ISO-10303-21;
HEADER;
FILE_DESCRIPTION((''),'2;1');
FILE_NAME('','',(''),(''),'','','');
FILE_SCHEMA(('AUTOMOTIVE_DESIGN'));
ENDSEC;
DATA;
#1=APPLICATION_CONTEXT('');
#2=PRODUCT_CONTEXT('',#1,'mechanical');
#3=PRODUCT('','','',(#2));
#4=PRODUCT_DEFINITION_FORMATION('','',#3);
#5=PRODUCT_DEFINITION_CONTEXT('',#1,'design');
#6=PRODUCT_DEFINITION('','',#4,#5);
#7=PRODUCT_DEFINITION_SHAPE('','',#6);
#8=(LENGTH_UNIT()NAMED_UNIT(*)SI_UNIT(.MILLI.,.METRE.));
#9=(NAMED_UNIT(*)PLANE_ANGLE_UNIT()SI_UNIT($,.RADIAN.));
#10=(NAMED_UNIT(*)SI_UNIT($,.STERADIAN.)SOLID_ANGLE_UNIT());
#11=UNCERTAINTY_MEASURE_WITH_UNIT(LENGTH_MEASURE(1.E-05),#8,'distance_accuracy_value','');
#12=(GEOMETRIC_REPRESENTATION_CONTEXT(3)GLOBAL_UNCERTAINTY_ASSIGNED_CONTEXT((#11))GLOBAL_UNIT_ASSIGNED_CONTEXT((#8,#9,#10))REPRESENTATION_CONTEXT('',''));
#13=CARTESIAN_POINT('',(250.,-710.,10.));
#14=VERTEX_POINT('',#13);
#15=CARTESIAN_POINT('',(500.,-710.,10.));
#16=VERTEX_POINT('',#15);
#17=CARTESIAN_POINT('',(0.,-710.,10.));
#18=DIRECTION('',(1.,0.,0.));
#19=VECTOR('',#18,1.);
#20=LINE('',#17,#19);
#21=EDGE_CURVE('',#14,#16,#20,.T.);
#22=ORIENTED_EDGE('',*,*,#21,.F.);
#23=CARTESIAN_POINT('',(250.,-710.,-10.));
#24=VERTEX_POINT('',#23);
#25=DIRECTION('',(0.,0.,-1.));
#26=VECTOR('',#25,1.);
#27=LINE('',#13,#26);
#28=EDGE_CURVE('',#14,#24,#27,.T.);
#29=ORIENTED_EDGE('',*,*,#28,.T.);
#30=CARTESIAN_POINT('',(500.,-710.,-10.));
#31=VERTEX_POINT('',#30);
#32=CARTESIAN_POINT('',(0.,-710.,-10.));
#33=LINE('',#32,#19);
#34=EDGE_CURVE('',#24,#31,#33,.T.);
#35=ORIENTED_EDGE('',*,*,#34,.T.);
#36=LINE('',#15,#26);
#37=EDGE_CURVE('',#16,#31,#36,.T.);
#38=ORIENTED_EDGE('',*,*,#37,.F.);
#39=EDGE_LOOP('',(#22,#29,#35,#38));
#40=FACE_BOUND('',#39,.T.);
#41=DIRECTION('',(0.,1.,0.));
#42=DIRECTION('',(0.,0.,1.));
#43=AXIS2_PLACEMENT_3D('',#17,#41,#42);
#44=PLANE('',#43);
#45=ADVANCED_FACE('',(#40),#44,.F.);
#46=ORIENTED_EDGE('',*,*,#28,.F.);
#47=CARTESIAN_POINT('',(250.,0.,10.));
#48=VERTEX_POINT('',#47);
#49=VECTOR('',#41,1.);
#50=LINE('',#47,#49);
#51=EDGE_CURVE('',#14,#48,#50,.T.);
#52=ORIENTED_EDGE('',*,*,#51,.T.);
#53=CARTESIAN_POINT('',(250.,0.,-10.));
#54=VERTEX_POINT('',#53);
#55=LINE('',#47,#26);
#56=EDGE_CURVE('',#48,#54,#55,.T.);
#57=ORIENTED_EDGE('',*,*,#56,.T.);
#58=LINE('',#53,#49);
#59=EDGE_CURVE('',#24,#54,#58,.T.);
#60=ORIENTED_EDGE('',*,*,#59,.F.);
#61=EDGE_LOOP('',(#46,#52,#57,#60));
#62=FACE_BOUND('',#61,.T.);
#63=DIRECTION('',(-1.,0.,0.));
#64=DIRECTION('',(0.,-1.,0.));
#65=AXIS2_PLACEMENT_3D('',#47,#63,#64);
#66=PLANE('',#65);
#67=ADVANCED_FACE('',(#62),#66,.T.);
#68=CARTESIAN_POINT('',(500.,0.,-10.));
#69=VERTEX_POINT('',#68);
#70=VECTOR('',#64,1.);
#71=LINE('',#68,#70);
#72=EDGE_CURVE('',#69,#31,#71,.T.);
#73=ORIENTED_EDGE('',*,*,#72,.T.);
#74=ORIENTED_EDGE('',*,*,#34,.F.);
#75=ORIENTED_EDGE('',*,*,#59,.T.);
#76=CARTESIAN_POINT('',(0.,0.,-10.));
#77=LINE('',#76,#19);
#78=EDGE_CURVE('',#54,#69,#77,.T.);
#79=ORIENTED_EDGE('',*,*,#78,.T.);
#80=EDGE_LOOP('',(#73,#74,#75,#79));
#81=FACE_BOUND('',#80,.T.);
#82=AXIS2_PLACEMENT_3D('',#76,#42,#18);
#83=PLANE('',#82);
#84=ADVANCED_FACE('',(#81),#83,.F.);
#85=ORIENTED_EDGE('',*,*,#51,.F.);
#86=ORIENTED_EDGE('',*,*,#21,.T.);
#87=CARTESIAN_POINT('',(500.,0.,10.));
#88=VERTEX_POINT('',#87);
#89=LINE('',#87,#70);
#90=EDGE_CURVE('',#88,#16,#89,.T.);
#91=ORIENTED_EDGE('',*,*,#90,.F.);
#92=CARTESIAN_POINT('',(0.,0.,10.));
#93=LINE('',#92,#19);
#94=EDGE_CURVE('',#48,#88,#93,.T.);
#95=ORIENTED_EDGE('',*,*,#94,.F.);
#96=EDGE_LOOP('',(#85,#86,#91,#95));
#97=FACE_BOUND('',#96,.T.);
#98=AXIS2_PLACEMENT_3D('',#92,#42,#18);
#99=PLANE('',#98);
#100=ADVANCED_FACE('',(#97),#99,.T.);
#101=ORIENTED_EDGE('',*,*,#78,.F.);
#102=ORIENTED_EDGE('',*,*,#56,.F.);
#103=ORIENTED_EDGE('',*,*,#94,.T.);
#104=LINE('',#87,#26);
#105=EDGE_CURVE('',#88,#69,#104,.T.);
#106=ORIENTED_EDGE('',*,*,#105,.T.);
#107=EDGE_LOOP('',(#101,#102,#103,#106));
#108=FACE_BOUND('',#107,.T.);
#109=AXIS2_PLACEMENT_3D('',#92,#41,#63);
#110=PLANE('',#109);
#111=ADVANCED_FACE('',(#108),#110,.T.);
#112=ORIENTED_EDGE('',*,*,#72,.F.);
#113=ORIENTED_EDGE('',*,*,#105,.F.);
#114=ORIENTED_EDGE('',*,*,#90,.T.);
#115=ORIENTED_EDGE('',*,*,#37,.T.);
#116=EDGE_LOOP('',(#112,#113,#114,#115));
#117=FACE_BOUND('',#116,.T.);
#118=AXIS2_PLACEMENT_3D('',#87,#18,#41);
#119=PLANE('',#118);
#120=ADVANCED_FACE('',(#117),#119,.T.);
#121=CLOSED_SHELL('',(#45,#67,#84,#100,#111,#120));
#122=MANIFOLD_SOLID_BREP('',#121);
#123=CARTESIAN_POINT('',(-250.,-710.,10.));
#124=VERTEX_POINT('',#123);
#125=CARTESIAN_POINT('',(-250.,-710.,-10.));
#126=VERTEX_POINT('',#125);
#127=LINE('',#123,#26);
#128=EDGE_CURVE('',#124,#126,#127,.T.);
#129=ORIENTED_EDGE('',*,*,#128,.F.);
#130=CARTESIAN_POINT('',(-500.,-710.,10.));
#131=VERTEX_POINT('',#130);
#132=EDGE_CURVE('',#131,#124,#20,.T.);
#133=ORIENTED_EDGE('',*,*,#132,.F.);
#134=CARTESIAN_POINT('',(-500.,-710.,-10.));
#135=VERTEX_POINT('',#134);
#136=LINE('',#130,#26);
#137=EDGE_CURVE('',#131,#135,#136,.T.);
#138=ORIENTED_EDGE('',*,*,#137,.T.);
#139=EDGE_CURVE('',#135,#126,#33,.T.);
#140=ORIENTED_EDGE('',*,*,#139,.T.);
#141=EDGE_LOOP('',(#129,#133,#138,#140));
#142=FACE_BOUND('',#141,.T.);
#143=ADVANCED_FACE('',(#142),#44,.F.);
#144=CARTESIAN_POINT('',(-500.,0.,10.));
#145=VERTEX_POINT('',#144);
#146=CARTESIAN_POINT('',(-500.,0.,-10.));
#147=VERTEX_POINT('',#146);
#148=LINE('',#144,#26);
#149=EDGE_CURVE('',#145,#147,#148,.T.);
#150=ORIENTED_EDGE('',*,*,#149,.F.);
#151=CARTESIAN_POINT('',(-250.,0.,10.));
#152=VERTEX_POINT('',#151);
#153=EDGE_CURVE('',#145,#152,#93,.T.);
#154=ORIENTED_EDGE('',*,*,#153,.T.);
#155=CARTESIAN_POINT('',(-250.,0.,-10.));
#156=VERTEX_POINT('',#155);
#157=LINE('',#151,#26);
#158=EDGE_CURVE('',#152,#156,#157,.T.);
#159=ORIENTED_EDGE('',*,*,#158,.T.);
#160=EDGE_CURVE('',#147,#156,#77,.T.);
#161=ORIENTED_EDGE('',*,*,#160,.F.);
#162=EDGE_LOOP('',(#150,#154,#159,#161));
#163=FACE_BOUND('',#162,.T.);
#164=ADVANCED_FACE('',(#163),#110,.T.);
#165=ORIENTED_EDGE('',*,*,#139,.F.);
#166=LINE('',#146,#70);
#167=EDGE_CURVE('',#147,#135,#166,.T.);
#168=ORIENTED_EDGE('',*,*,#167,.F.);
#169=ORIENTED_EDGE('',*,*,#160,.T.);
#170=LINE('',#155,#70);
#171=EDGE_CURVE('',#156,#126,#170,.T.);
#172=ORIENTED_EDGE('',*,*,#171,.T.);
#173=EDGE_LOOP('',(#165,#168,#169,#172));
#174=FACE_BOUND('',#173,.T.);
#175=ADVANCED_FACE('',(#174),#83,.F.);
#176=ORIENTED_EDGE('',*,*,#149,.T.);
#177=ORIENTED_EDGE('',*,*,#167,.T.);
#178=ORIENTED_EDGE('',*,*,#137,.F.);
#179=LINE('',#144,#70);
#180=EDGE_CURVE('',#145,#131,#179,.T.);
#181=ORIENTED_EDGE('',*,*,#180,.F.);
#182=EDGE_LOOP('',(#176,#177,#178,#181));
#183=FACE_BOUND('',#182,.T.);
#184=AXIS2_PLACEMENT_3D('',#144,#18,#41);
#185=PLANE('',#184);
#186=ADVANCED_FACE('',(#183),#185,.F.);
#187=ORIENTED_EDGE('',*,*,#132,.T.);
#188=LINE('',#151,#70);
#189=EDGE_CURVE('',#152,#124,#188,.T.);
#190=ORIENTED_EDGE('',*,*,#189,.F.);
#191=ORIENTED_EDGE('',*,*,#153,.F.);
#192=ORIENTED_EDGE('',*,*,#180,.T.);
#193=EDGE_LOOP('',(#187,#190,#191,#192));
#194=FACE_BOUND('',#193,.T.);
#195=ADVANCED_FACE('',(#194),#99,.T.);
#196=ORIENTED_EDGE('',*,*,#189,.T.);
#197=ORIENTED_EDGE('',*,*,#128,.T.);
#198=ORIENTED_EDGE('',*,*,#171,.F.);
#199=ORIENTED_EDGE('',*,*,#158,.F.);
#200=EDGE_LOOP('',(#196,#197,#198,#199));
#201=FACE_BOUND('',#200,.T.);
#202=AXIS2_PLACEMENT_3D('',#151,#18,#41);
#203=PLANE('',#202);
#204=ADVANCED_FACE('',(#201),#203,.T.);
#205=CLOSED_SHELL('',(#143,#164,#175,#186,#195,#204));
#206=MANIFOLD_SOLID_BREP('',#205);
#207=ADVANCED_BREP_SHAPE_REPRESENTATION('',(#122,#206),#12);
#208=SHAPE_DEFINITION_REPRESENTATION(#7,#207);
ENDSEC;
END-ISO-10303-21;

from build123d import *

# Parameters (mm, degrees)
SKETCH2_W             = 250
SKETCH2_H             = 710
BOSS_EXTRUDE1_DEPTH   = 10
BOSS_EXTRUDE1_2_DEPTH = 10


with BuildPart() as part:
    # Sketch2 → Boss-Extrude1 (new, symmetric)
    with BuildSketch(Plane.XY):
        with Locations((-375, -355)):
            Rectangle(SKETCH2_W, SKETCH2_H)
    extrude(amount=BOSS_EXTRUDE1_DEPTH, both=True)


with BuildPart() as body_2:
    # Sketch2 → Boss-Extrude1 2 (new, symmetric)
    with BuildSketch(Plane.XY):
        with Locations((375, -355)):
            Rectangle(SKETCH2_W, SKETCH2_H)
    extrude(amount=BOSS_EXTRUDE1_2_DEPTH, both=True)


solid = Compound([part.part, body_2.part])
